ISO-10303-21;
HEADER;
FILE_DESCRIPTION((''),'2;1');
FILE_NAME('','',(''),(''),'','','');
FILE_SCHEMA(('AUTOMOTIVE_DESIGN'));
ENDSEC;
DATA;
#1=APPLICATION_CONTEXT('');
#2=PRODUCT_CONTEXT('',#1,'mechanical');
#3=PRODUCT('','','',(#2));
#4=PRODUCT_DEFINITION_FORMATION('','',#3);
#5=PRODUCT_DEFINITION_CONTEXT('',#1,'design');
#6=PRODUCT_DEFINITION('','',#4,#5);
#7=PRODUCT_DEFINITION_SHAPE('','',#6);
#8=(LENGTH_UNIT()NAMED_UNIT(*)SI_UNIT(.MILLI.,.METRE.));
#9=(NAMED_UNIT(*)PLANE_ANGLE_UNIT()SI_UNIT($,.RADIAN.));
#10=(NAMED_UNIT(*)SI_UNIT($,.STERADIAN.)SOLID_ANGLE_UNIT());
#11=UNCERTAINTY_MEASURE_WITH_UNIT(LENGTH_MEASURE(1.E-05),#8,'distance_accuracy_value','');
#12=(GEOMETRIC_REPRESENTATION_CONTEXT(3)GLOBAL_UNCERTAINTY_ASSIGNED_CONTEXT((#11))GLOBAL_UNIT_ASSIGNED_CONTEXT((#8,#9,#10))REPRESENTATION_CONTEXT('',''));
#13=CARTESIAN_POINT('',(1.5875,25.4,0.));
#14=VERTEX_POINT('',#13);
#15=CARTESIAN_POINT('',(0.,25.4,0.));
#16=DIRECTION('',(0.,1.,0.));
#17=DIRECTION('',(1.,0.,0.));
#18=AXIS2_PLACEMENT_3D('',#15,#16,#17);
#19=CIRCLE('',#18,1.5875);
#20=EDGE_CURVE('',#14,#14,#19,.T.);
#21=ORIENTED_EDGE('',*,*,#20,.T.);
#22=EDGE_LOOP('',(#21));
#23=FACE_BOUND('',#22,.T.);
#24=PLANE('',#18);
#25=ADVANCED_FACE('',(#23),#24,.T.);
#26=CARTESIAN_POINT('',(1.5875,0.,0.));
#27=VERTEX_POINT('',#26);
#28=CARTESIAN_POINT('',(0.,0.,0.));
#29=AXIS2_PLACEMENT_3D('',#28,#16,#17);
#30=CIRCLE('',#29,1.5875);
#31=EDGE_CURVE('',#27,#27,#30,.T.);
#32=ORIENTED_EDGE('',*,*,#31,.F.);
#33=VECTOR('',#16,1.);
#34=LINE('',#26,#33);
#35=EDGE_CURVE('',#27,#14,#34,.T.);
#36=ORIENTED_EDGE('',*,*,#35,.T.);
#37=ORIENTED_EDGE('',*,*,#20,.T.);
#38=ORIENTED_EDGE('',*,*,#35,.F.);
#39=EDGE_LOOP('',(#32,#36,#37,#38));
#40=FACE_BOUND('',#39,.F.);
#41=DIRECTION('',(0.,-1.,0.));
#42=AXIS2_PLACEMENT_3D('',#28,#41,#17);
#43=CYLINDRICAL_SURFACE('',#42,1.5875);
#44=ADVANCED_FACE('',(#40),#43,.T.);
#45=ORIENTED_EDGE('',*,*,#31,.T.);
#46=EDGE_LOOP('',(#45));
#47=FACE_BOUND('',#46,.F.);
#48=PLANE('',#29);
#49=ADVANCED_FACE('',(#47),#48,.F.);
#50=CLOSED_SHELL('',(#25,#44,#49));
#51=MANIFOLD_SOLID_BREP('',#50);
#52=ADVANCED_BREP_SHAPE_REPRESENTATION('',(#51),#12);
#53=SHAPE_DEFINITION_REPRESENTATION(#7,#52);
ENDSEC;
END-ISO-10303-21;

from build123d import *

# Parameters (mm, degrees)
SKETCH1_R           = 1.5875
BOSS_EXTRUDE1_DEPTH = 25.4


with BuildPart() as part:
    # Sketch1 → Boss-Extrude1 (new body)
    with BuildSketch(Plane(origin=(0, 0, 0), x_dir=(1, 0, 0), z_dir=(0, 1, 0))):
        Circle(SKETCH1_R)
    extrude(amount=BOSS_EXTRUDE1_DEPTH)


solid = part.part
